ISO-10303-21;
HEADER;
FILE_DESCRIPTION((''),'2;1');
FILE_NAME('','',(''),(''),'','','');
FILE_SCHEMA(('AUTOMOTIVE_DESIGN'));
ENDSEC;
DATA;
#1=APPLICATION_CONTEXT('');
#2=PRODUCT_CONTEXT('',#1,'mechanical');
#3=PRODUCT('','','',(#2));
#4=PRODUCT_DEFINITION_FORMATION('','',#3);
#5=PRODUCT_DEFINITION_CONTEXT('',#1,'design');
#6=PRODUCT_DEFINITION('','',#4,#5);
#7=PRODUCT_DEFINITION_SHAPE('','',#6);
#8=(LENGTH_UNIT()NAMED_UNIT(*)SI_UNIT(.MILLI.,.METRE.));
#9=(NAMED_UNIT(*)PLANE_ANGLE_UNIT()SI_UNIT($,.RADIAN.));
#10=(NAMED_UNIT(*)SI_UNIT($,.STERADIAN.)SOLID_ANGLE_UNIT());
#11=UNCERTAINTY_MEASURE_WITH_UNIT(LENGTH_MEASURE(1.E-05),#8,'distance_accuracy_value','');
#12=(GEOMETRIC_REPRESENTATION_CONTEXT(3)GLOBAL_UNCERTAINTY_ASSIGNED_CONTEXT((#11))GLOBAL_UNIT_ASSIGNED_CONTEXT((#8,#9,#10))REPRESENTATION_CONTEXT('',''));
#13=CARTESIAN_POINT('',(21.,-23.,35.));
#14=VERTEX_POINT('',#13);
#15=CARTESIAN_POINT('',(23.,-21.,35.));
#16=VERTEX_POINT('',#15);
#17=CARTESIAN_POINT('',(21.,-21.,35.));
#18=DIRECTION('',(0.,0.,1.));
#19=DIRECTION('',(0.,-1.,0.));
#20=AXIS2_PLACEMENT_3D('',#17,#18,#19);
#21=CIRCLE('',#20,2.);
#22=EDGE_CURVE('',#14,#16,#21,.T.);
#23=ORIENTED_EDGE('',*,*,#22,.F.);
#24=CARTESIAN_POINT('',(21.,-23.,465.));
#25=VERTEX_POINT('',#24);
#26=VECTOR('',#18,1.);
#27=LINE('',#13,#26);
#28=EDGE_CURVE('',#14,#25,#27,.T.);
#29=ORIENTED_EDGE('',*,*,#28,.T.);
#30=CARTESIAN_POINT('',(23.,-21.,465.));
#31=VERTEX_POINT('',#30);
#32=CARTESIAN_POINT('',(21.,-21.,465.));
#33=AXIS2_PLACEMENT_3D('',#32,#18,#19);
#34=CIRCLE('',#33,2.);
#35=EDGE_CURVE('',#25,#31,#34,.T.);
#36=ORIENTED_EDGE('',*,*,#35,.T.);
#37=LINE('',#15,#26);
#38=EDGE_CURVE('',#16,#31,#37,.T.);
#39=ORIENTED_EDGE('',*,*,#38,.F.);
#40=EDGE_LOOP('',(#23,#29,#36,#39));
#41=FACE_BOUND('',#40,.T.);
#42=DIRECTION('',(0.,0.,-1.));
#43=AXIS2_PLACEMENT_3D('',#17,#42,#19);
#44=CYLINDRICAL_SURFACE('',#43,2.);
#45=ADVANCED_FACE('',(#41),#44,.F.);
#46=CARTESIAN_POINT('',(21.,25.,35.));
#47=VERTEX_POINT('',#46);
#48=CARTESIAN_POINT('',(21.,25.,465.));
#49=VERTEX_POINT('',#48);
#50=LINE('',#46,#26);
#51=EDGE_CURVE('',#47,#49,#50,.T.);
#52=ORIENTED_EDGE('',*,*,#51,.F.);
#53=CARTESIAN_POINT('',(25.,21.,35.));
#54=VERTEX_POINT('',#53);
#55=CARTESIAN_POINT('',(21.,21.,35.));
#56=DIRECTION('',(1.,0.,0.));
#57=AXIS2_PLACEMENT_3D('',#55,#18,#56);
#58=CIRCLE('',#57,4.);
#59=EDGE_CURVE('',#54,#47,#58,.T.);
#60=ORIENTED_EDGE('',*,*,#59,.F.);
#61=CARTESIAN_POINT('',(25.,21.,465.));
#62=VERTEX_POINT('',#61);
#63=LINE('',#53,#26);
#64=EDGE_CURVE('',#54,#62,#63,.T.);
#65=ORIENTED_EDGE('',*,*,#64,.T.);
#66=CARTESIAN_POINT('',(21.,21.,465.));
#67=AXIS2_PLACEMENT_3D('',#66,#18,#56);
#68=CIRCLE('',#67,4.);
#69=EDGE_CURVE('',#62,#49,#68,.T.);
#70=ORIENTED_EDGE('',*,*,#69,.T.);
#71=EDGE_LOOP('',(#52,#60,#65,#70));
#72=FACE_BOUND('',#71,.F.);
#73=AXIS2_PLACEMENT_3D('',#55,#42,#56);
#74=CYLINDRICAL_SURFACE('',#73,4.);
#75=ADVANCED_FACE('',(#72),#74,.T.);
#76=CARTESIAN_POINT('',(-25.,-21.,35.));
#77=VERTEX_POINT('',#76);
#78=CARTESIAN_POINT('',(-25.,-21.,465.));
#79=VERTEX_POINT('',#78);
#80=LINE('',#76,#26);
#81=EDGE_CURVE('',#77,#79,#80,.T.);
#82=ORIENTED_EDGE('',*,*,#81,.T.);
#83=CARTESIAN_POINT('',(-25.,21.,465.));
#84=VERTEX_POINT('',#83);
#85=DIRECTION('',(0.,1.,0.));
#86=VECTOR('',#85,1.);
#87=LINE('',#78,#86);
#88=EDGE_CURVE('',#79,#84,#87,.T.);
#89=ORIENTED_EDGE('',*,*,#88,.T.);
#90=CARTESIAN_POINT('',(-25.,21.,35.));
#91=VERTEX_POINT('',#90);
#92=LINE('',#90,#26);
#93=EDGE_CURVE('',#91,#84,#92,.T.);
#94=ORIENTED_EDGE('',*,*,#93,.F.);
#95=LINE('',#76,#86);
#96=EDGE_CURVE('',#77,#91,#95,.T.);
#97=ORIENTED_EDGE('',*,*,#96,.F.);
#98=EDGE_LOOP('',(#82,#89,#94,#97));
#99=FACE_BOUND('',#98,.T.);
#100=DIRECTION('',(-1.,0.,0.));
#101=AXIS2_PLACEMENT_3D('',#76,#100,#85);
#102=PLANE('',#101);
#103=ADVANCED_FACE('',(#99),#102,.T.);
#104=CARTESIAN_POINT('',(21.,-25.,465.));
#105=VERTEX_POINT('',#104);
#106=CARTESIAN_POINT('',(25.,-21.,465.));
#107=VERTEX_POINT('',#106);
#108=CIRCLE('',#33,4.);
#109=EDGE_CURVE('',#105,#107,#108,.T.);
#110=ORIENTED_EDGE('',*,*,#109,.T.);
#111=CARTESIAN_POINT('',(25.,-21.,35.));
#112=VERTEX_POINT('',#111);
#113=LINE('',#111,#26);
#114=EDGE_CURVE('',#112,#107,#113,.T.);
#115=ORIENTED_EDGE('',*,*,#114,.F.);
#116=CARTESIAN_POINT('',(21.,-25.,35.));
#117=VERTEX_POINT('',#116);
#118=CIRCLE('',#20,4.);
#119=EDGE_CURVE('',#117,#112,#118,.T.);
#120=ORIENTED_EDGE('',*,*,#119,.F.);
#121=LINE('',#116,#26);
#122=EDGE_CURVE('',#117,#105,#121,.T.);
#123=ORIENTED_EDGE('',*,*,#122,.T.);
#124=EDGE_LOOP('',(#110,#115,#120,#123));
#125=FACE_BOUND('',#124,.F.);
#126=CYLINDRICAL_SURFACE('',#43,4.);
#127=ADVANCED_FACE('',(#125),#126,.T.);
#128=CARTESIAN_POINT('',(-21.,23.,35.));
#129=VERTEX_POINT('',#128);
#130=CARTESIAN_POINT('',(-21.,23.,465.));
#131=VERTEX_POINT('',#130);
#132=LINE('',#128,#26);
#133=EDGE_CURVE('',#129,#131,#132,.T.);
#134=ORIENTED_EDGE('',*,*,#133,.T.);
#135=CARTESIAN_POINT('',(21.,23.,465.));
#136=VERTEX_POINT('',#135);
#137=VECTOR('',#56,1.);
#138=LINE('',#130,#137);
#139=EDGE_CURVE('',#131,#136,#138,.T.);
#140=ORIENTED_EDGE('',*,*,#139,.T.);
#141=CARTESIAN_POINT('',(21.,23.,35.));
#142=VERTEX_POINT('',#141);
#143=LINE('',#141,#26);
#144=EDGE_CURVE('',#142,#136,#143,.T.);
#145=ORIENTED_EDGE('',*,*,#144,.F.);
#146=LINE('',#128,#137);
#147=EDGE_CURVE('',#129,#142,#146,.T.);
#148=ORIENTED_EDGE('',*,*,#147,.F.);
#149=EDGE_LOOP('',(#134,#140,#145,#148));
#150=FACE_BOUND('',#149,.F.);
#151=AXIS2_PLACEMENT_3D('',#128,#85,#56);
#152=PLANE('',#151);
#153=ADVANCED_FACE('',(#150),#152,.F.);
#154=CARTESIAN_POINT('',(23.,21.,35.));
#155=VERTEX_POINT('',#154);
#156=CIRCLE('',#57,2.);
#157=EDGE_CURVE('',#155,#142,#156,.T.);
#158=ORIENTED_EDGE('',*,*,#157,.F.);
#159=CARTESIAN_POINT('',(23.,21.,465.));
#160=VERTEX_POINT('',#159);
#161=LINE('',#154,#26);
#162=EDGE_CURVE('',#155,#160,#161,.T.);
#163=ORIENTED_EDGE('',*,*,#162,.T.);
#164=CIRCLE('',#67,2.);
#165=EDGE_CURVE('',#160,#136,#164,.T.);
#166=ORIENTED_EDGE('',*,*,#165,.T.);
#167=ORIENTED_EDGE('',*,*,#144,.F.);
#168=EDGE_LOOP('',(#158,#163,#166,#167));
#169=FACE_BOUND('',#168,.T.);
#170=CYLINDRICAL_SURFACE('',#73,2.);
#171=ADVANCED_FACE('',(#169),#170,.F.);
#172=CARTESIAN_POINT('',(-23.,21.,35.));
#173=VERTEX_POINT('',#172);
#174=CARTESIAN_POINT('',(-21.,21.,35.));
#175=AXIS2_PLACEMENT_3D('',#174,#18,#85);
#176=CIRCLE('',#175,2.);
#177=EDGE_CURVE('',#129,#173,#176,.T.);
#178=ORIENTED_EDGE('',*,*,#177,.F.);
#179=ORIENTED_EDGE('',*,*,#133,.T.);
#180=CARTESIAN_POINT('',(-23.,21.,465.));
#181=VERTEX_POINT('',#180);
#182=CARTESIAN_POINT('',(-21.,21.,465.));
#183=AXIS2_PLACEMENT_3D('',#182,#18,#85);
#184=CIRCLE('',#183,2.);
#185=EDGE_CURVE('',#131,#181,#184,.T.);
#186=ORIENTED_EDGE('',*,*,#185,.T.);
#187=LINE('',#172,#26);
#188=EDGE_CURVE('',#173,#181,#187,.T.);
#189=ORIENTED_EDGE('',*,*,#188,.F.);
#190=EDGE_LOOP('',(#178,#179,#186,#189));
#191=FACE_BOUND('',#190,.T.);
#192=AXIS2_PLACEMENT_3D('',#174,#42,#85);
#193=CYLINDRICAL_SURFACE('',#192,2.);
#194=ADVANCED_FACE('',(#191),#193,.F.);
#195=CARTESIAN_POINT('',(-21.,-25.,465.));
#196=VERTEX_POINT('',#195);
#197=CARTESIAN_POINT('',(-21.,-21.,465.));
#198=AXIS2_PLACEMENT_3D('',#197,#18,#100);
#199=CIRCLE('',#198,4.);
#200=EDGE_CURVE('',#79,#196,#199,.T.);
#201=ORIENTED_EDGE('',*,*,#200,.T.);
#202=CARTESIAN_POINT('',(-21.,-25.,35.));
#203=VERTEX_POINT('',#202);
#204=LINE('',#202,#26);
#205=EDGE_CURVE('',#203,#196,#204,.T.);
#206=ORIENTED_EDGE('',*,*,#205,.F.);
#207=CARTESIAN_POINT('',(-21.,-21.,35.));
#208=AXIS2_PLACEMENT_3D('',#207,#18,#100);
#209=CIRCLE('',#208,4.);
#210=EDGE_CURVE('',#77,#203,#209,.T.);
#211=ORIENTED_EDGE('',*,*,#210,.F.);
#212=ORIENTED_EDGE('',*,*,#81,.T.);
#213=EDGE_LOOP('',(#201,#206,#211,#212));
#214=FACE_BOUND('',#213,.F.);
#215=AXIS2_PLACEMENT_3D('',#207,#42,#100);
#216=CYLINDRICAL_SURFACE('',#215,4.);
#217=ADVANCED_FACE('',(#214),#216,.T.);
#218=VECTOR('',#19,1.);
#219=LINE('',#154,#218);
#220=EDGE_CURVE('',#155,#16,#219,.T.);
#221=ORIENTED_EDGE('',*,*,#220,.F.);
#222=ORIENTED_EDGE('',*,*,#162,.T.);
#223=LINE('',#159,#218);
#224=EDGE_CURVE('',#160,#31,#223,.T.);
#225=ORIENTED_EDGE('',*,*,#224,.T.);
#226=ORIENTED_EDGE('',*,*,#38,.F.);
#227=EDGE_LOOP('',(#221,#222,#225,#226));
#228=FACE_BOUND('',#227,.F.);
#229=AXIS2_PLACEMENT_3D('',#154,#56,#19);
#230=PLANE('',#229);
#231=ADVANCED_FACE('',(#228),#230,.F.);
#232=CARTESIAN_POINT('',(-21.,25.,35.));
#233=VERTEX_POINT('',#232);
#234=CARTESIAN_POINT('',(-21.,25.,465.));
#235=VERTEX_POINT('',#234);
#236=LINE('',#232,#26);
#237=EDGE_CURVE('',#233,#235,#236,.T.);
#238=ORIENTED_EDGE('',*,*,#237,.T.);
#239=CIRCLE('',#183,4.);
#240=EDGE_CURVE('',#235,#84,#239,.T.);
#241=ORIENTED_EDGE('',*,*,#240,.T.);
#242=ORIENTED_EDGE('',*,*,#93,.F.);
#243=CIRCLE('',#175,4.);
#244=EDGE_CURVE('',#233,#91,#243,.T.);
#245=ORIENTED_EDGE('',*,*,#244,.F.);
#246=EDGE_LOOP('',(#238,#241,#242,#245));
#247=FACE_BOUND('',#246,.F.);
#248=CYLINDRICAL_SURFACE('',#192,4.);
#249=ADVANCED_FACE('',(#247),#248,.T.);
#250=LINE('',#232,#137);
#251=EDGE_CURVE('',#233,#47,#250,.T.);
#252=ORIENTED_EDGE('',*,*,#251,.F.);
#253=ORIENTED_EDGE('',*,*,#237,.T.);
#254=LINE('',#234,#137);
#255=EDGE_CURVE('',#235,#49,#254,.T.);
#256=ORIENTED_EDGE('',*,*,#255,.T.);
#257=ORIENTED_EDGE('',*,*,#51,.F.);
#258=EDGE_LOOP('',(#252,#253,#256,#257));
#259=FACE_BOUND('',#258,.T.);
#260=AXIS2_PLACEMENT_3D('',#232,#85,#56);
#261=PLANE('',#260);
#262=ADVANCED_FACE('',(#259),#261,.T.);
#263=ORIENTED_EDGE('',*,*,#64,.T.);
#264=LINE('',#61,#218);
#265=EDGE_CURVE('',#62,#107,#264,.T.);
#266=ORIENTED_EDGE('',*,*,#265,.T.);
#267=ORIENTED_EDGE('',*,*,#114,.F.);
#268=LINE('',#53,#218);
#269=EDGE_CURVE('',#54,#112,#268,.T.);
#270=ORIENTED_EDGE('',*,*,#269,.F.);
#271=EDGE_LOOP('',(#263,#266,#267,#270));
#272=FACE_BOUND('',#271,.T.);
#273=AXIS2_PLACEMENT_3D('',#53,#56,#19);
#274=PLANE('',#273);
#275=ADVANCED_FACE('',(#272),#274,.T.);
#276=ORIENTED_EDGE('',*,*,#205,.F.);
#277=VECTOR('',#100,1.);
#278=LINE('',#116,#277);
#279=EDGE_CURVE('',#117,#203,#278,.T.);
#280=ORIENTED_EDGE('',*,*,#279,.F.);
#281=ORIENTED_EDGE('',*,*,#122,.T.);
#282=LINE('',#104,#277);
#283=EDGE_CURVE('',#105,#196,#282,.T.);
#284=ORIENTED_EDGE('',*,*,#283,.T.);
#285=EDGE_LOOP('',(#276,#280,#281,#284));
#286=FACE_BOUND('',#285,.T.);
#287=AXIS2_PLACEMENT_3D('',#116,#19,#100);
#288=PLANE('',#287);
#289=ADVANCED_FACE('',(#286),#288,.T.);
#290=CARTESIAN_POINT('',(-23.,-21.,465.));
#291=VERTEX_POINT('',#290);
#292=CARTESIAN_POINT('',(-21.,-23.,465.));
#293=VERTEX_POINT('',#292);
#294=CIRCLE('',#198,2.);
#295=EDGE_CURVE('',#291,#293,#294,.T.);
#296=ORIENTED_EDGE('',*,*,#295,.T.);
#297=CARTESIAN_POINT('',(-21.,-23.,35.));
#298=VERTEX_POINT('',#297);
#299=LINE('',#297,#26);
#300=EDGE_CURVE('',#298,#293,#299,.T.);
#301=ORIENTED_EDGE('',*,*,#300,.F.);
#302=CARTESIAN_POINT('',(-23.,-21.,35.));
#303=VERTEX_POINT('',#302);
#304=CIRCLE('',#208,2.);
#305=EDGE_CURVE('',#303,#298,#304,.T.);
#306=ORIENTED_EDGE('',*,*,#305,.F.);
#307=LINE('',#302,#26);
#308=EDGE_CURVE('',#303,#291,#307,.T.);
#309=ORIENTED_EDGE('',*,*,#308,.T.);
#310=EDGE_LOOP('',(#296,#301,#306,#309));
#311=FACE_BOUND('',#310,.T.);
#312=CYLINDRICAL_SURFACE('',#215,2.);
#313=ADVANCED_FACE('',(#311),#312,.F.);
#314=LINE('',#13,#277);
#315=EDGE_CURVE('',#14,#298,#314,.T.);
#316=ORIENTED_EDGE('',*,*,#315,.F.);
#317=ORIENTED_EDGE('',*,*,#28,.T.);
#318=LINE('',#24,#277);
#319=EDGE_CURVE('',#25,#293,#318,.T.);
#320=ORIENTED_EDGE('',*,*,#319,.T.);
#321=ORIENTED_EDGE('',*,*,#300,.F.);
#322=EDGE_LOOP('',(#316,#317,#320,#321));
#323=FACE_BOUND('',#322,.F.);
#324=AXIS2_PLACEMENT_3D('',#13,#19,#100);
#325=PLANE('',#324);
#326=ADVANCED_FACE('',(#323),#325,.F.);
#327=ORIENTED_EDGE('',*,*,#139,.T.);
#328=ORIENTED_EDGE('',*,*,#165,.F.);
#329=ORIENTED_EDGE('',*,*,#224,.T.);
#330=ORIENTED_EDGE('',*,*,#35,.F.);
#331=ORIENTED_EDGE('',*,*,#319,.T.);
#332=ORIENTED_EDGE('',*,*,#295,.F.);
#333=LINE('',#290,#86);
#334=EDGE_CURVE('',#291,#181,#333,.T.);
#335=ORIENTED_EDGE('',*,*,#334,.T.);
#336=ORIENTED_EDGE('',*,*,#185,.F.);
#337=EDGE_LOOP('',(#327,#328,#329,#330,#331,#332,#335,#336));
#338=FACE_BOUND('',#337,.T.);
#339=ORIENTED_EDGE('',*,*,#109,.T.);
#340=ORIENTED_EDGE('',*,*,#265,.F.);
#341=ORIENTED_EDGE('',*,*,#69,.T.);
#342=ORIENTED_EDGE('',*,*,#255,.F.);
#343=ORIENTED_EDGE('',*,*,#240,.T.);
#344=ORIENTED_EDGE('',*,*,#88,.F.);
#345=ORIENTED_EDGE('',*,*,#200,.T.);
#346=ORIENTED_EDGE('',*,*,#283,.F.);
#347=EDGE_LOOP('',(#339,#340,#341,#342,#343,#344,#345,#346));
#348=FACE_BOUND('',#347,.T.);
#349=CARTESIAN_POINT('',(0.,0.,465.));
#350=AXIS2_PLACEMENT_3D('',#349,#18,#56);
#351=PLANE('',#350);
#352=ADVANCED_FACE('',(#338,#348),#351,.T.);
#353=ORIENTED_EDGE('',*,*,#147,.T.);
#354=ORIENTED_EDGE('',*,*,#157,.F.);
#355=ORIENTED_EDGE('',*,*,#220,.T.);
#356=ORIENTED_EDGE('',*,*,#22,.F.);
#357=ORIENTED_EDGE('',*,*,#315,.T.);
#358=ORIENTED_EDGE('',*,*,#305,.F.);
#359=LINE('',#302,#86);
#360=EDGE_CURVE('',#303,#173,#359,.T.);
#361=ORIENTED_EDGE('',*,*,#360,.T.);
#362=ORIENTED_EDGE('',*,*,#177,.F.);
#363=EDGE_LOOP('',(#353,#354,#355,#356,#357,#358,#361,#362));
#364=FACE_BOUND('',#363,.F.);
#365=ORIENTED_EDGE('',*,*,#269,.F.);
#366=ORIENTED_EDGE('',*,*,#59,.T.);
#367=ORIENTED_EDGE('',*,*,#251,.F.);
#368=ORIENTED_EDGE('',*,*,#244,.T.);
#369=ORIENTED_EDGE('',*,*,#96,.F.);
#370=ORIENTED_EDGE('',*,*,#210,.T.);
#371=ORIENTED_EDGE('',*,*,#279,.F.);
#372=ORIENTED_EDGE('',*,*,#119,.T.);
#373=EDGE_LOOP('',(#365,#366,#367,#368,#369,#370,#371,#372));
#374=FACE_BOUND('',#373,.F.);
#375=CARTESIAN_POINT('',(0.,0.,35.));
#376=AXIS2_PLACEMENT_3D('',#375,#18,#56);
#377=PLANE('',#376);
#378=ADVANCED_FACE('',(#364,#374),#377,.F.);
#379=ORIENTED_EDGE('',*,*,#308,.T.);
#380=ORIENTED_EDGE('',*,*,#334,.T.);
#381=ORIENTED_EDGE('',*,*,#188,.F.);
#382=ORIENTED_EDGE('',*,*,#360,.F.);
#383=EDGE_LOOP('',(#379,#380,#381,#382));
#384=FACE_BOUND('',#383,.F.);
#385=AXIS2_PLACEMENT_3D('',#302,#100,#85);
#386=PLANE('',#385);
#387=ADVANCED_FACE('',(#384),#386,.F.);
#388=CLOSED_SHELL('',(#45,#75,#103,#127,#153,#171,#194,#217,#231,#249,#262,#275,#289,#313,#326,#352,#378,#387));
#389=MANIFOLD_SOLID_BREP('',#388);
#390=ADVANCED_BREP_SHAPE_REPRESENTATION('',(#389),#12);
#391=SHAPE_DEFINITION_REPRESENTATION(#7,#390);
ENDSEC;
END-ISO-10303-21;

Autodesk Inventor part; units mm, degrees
ref_plane "Plano inicial" through (0, 0, 35) normal (0, 0, 1) x (1, 0, 0)
ref_plane "Plano final" through (0, 0, 465) normal (0, 0, 1) x (1, 0, 0)
sketch "Boceto" plane through (0, 0, 0) normal (0, 0, 1) x (1, 0, 0)
  line L0 (-25, -21) -> (-25, 21)
  line L1 (-21, 25) -> (21, 25)
  line L2 (25, 21) -> (25, -21)
  line L3 (21, -25) -> (-21, -25)
  arc A0 (-25, -21) -> (-21, -25) centre (-21, -21) ccw
  arc A1 (25, 21) -> (21, 25) centre (21, 21) ccw
  arc A2 (-21, 25) -> (-25, 21) centre (-21, 21) ccw
  arc A3 (21, -25) -> (25, -21) centre (21, -21) ccw
  arc A4 (-21, 23) -> (-23, 21) centre (-21, 21) ccw
  line L4 (-21, 23) -> (21, 23)
  arc A5 (23, 21) -> (21, 23) centre (21, 21) ccw
  line L5 (23, 21) -> (23, -21)
  arc A6 (21, -23) -> (23, -21) centre (21, -21) ccw
  line L6 (21, -23) -> (-21, -23)
  arc A7 (-23, -21) -> (-21, -23) centre (-21, -21) ccw
  line L7 (-23, -21) -> (-23, 21)
  line L8 (0, 36.1598) -> (0, -36.1598) construction
  line L9 (-36.1598, 0) -> (36.1598, 0) construction
  dimension "d7" = 4
  dimension "d9" = 50
  dimension "d11" = 50
  dimension "d12" = 2
  dimension "d15" = 25
  dimension "d16" = 25
extrude "Cuerpo" add sketch "Boceto" along normal up to surface (430 mm away) from surface at 35
sketch "Sketch3" plane through (0, 0, 0) normal (0, 0, 1) x (1, 0, 0)
  line L0 (0, 0) -> (10, 0)
ref_plane "Work Plane3" through (0, 0, 0) normal (0, -1, 0) x (1, 0, 0)
sketch "Sketch4" plane through (0, 0, 0) normal (0, -1, 0) x (1, 0, 0)
  line L0 (-2, 35) -> (12, 35)
  line L1 (-2, 465) -> (12, 465)
  dimension "d18" = 430
ref_plane "Plano de trabajo4" through (1065, 29, 35) normal (0, 0, -1) x (-1, 0, 0)
split "Dividir1" plane through (1065, 29, 35) removes the side toward (0, 0, -1)
ref_plane "Plano de trabajo5" through (1065, -29, 465) normal (0, 0, 1) x (1, 0, 0)
split "Dividir2" plane through (1065, -29, 465) removes the side toward (0, 0, 1)
equation "\"d7\" = G_IR"
equation "\"d9\" = G_W"
equation "\"d11\" = G_H"
equation "\"d12\" = G_T"
equation "\"d15\" = 0.5 * d9"
equation "\"d16\" = 0.5 * d11"
equation "\"d3\" = G_L"
equation "\"G_W\" = 50"
equation "\"G_H\" = 50"
equation "\"G_T\" = 2"
equation "\"G_IR\" = 4"
equation "\"G_L\" = d18"
equation "\"G_OFFSET_START\" = -35"
equation "\"G_OFFSET_END\" = -35"
equation "\"d13\" = -G_OFFSET_START"
equation "\"d14\" = G_OFFSET_END + B_L"
equation "\"B_L\" = 500"
properties part number "ISO 10799-2 - 50x50x2 - 430" material "Galvanizado catalogo 1"
